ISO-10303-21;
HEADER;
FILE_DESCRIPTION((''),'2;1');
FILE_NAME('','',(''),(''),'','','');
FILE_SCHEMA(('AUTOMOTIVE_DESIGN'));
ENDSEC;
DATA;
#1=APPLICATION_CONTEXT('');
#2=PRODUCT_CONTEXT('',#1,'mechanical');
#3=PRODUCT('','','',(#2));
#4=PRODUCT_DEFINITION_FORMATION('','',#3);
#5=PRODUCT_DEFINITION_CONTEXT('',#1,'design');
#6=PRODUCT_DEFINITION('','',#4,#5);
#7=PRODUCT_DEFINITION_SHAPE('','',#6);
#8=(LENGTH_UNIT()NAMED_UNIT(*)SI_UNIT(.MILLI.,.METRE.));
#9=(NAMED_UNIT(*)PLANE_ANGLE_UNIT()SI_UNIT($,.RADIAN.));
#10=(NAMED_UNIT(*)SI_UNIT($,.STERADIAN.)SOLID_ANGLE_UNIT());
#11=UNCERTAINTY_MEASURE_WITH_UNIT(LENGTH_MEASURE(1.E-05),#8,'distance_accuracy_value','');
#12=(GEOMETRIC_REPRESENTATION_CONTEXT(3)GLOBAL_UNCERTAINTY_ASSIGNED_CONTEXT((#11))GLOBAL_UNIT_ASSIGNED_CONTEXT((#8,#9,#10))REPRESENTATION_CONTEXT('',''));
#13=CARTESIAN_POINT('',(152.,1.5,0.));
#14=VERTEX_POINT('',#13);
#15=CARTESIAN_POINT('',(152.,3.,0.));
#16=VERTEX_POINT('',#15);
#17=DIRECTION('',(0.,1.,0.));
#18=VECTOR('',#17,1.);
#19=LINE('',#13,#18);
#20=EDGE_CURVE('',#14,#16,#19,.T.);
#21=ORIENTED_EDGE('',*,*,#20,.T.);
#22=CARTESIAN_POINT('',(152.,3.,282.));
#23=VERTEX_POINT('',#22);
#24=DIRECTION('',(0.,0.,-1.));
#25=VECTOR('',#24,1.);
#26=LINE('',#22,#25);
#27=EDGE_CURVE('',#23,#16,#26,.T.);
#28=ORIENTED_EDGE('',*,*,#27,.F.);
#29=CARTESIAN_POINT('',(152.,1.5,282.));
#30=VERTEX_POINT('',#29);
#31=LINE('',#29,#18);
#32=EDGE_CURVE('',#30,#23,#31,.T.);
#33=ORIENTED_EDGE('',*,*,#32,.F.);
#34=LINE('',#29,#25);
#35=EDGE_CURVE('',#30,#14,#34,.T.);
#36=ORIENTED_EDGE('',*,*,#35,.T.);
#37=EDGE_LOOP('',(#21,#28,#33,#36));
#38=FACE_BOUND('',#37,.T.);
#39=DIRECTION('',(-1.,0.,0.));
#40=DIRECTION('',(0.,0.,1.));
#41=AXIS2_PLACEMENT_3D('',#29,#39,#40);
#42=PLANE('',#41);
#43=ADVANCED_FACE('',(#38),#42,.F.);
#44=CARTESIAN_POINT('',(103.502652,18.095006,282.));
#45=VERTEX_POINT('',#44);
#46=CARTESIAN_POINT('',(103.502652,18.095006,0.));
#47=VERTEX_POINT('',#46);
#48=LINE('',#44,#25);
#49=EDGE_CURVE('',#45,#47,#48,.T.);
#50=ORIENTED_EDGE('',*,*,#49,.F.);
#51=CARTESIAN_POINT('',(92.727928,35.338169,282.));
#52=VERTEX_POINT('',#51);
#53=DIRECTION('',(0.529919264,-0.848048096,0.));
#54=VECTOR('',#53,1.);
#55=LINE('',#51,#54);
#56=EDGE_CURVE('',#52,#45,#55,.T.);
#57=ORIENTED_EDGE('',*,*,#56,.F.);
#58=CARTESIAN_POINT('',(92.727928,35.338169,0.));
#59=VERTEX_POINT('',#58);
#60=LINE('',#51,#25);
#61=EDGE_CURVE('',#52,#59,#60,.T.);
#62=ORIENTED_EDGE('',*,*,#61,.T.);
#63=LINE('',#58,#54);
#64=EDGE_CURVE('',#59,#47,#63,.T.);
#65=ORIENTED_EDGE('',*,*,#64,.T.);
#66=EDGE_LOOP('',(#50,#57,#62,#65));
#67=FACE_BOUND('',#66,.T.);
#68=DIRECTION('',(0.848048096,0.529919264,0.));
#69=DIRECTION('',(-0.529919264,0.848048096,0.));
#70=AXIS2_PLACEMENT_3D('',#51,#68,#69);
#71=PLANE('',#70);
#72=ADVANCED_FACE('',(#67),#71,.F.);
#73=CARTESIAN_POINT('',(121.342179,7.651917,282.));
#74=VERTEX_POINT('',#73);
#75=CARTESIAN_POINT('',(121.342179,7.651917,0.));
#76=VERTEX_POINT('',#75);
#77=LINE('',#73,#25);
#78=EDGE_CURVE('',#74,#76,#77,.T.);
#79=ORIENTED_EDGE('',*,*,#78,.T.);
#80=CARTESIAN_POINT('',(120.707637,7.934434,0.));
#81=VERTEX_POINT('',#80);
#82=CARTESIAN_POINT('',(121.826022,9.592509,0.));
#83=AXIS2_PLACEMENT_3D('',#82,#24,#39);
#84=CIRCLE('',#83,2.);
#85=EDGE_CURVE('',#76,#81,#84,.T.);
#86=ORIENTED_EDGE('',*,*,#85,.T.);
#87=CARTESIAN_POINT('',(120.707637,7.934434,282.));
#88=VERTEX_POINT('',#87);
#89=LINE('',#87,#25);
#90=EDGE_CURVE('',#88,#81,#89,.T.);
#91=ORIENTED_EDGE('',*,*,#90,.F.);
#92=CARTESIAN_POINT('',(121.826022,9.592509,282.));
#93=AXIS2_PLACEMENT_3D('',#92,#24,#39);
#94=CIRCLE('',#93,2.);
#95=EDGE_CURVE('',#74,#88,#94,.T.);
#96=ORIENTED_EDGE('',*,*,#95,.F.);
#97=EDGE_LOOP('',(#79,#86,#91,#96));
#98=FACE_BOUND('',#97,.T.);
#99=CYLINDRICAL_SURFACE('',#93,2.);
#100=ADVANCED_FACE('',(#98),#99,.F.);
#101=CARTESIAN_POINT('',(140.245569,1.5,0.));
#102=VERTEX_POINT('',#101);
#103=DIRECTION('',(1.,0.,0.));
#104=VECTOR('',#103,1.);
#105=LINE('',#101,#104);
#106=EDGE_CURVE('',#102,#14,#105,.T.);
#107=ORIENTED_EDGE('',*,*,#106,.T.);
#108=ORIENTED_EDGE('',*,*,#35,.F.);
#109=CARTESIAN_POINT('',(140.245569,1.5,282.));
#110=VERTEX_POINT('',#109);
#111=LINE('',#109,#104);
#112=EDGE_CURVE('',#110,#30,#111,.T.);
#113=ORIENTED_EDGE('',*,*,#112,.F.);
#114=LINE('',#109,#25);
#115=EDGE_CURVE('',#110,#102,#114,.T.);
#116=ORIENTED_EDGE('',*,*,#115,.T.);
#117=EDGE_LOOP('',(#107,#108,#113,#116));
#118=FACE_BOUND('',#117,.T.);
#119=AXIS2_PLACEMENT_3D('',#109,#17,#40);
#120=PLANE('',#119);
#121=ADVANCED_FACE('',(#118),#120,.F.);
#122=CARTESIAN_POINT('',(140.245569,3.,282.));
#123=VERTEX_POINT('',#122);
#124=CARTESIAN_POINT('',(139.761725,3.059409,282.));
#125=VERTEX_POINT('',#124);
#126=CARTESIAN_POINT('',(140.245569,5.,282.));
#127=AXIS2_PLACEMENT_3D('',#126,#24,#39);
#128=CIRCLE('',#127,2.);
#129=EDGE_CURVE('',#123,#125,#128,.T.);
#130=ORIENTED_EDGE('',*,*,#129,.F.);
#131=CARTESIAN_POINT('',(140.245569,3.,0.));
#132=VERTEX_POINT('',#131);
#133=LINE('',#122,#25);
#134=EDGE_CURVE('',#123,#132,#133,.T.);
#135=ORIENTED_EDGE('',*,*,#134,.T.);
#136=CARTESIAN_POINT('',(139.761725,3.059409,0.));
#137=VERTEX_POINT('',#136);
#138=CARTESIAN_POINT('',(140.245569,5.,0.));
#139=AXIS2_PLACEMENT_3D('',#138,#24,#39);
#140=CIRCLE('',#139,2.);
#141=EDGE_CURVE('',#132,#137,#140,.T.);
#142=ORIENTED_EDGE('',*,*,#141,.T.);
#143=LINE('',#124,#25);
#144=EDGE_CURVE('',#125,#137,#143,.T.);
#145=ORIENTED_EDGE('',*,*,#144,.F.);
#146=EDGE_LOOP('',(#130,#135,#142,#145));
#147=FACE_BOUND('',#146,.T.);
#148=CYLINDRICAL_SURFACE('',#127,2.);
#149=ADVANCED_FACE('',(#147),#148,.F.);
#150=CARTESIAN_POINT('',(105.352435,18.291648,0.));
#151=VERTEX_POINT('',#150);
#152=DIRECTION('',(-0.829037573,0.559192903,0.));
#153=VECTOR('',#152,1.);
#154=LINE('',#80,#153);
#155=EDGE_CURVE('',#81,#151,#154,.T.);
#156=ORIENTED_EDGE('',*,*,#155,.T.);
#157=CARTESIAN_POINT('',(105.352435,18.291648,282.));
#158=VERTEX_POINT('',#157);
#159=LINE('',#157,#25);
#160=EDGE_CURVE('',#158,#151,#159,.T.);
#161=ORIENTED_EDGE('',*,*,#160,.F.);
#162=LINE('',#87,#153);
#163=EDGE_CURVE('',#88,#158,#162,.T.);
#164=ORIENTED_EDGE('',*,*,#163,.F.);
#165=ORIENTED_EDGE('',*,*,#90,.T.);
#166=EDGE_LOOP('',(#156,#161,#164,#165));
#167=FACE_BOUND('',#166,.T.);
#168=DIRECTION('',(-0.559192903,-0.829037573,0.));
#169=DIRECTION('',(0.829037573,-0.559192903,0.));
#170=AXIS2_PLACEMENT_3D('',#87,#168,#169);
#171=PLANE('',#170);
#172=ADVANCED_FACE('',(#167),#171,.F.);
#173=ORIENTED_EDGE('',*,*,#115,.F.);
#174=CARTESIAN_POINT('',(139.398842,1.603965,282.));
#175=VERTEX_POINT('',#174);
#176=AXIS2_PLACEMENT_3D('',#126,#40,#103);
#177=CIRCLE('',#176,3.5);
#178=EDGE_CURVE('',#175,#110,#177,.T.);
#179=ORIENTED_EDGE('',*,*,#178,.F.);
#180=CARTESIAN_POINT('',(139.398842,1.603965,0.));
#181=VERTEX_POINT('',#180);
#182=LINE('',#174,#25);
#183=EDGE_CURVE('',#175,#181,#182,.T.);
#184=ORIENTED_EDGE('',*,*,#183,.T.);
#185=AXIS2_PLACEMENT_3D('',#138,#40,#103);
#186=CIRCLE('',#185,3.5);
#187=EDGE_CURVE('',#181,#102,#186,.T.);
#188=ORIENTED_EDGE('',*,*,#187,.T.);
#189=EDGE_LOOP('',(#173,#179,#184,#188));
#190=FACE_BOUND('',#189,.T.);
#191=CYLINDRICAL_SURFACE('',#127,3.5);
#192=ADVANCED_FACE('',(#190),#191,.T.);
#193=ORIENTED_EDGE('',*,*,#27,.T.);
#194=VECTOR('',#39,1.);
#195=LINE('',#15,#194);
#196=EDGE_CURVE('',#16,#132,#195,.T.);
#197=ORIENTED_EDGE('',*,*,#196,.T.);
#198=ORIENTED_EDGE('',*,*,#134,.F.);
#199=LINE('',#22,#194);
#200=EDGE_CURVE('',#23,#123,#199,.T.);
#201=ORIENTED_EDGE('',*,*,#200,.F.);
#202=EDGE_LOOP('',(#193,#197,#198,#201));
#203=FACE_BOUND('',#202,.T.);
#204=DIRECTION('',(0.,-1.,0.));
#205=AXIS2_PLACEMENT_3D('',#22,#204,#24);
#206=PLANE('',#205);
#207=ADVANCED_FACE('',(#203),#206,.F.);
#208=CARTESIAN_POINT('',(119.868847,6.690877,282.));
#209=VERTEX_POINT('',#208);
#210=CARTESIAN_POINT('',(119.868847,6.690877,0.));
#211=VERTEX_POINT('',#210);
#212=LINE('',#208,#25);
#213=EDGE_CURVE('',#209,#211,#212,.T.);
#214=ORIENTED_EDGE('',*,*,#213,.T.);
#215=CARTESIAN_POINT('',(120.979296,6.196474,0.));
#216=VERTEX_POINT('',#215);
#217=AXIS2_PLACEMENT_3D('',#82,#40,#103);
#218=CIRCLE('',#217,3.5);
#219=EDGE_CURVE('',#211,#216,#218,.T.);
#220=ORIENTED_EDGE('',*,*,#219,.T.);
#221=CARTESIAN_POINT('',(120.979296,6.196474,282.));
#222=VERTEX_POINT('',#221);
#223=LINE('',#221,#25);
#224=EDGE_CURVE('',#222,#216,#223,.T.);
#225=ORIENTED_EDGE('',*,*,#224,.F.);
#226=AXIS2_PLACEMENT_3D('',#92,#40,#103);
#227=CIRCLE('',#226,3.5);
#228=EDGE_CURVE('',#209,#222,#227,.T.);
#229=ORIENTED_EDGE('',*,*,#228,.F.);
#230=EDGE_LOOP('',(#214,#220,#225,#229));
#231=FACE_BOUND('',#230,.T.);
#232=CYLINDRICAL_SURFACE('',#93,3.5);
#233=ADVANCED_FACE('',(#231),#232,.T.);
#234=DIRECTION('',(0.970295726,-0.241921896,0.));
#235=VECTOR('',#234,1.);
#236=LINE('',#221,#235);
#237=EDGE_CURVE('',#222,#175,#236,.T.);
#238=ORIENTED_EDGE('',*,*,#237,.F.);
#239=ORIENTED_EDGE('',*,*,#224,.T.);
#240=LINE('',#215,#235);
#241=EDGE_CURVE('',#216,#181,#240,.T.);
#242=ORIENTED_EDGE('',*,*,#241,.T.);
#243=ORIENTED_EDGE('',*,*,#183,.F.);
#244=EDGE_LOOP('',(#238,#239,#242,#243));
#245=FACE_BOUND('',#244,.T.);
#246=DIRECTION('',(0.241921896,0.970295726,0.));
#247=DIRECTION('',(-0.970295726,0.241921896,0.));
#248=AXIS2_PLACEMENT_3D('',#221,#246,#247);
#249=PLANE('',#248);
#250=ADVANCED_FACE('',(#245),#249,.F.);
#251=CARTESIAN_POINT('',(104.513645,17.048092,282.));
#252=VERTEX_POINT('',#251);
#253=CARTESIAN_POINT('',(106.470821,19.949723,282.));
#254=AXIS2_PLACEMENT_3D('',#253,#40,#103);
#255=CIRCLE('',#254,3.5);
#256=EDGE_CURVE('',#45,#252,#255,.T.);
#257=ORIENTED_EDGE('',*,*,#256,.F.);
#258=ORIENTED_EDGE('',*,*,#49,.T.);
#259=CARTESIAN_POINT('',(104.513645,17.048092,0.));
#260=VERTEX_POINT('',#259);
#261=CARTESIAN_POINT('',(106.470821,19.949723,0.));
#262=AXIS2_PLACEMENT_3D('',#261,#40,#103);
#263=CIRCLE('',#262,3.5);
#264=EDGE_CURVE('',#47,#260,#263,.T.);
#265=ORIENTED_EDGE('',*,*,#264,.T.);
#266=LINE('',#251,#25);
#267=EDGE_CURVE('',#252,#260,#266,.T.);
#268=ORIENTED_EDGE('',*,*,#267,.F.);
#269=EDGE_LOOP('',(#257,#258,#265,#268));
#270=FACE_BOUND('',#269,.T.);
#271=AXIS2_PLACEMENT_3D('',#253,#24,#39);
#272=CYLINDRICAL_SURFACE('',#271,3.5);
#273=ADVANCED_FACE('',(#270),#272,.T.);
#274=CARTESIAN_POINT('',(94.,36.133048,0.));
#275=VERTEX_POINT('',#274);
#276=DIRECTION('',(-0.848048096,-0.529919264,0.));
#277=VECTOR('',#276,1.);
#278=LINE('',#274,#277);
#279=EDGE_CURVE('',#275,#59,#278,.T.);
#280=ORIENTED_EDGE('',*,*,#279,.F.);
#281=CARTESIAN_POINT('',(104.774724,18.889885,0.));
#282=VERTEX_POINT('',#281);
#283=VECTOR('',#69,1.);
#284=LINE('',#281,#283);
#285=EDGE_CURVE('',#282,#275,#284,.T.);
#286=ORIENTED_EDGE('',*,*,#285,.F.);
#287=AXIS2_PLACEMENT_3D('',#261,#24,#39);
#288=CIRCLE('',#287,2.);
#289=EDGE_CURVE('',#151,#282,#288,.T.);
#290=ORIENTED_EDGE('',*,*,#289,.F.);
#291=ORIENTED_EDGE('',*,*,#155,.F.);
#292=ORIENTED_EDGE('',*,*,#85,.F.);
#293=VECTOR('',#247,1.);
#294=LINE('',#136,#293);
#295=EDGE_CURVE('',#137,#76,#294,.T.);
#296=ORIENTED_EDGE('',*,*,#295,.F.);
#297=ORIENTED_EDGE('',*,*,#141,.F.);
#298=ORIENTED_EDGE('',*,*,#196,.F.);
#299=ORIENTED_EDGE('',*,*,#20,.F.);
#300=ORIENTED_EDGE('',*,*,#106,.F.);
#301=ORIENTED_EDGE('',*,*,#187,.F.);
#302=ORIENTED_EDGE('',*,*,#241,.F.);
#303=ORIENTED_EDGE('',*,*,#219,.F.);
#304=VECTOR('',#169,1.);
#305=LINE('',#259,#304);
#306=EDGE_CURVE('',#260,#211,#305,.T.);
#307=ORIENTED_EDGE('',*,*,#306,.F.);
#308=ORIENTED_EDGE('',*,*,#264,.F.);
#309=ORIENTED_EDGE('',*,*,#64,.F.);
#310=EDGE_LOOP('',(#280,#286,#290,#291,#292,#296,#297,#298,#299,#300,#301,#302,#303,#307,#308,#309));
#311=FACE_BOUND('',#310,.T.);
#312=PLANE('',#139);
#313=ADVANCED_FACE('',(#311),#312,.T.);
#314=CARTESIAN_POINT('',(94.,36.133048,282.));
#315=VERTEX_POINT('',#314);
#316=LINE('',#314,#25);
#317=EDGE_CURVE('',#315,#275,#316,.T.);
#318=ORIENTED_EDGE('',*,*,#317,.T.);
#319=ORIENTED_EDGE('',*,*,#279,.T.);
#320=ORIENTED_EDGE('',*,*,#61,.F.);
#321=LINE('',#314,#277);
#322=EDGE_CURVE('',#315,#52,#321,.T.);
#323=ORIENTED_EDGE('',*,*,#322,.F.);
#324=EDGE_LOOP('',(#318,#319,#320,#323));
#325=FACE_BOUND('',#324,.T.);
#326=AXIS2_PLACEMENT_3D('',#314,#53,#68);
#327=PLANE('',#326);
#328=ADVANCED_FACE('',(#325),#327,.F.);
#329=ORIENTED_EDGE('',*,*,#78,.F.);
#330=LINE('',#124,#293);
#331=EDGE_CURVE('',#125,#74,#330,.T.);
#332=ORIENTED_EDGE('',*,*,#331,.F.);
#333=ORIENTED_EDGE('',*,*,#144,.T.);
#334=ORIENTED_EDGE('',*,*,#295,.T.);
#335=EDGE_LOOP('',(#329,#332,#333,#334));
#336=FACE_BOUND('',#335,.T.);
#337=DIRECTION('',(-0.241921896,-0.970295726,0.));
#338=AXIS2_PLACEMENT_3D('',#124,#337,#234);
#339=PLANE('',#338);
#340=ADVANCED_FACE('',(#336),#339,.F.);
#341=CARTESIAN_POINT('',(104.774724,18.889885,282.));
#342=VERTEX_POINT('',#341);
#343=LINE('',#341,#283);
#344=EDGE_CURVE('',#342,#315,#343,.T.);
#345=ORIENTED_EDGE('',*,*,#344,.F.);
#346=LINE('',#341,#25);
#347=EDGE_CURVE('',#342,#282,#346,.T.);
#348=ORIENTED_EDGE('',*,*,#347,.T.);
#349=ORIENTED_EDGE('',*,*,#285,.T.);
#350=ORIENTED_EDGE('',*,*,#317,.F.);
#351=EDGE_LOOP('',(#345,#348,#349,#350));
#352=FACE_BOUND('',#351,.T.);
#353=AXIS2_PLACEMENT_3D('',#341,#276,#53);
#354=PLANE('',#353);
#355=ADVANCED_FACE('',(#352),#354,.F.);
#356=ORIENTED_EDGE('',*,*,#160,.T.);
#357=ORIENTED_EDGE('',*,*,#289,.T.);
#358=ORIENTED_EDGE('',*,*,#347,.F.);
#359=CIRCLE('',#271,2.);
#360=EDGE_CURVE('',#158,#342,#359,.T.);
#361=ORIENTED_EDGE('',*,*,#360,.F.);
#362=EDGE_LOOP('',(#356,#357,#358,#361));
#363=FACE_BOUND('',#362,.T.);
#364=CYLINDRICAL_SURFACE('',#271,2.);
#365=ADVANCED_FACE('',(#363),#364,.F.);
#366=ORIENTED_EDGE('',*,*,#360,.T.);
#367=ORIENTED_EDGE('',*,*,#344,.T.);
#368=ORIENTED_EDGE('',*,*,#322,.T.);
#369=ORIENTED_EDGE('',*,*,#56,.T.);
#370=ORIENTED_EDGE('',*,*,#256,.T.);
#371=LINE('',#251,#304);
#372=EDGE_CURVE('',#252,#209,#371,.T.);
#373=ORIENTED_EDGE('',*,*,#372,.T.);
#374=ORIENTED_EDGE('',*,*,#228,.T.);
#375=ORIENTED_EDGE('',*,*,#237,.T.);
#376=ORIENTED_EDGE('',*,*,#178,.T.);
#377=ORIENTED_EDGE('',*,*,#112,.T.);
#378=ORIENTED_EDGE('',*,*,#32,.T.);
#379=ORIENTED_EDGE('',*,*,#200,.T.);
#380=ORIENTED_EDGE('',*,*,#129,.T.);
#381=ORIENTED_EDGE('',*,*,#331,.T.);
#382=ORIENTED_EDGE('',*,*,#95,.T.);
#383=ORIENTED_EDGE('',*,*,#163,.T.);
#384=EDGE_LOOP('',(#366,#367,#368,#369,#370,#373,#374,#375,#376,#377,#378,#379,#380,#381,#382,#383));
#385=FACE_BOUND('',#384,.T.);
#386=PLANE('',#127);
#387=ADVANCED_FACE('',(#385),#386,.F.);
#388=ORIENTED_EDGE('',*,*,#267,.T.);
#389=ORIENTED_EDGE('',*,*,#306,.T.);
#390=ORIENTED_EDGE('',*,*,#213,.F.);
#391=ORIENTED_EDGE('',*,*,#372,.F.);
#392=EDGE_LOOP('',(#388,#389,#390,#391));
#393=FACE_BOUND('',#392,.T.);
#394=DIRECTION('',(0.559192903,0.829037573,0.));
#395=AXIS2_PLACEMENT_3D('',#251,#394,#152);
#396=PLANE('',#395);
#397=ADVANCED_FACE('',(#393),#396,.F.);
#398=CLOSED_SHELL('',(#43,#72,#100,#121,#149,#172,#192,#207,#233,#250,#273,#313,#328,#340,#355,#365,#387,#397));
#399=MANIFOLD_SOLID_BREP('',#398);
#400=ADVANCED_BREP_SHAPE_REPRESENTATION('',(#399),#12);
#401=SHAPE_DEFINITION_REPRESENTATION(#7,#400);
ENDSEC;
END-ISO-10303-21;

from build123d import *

# Parameters (mm, degrees)
TANGENT_BEND_SECTION_FORMED_STATE_DEPTH = 282


with BuildPart() as part:
    # Tangent bend section, formed state profile → Tangent bend section, formed state (new body)
    with BuildSketch(Plane.XY):
        with BuildLine():
            Line((152, 3), (140.245569122, 3))
            ThreePointArc((140.245569122, 3), (140.001830435, 3.014907697), (139.761725331, 3.059408547))
            Line((139.761725331, 3.059408547), (121.342178632, 7.651917339))
            ThreePointArc((121.342178632, 7.651917339), (121.012549137, 7.765417876), (120.707636616, 7.934433647))
            Line((120.707636616, 7.934433647), (105.352434752, 18.291648082))
            ThreePointArc((105.352434752, 18.291648082), (105.032140958, 18.560406486), (104.774724366, 18.889884698))
            Line((104.774724366, 18.889884698), (94, 36.133048143))
            Line((94, 36.133048143), (92.727927856, 35.338169247))
            Line((92.727927856, 35.338169247), (103.502652222, 18.095005802))
            ThreePointArc((103.502652222, 18.095005802), (103.953131258, 17.51841893), (104.513645397, 17.048091723))
            Line((104.513645397, 17.048091723), (119.868847261, 6.690877288))
            ThreePointArc((119.868847261, 6.690877288), (120.402444172, 6.39509969), (120.979295788, 6.19647375))
            Line((120.979295788, 6.19647375), (139.398842487, 1.603964958))
            ThreePointArc((139.398842487, 1.603964958), (139.81902642, 1.52608847), (140.245569122, 1.5))
            Line((140.245569122, 1.5), (152, 1.5))
            Line((152, 1.5), (152, 3))
        make_face()
    extrude(amount=TANGENT_BEND_SECTION_FORMED_STATE_DEPTH)


solid = part.part
